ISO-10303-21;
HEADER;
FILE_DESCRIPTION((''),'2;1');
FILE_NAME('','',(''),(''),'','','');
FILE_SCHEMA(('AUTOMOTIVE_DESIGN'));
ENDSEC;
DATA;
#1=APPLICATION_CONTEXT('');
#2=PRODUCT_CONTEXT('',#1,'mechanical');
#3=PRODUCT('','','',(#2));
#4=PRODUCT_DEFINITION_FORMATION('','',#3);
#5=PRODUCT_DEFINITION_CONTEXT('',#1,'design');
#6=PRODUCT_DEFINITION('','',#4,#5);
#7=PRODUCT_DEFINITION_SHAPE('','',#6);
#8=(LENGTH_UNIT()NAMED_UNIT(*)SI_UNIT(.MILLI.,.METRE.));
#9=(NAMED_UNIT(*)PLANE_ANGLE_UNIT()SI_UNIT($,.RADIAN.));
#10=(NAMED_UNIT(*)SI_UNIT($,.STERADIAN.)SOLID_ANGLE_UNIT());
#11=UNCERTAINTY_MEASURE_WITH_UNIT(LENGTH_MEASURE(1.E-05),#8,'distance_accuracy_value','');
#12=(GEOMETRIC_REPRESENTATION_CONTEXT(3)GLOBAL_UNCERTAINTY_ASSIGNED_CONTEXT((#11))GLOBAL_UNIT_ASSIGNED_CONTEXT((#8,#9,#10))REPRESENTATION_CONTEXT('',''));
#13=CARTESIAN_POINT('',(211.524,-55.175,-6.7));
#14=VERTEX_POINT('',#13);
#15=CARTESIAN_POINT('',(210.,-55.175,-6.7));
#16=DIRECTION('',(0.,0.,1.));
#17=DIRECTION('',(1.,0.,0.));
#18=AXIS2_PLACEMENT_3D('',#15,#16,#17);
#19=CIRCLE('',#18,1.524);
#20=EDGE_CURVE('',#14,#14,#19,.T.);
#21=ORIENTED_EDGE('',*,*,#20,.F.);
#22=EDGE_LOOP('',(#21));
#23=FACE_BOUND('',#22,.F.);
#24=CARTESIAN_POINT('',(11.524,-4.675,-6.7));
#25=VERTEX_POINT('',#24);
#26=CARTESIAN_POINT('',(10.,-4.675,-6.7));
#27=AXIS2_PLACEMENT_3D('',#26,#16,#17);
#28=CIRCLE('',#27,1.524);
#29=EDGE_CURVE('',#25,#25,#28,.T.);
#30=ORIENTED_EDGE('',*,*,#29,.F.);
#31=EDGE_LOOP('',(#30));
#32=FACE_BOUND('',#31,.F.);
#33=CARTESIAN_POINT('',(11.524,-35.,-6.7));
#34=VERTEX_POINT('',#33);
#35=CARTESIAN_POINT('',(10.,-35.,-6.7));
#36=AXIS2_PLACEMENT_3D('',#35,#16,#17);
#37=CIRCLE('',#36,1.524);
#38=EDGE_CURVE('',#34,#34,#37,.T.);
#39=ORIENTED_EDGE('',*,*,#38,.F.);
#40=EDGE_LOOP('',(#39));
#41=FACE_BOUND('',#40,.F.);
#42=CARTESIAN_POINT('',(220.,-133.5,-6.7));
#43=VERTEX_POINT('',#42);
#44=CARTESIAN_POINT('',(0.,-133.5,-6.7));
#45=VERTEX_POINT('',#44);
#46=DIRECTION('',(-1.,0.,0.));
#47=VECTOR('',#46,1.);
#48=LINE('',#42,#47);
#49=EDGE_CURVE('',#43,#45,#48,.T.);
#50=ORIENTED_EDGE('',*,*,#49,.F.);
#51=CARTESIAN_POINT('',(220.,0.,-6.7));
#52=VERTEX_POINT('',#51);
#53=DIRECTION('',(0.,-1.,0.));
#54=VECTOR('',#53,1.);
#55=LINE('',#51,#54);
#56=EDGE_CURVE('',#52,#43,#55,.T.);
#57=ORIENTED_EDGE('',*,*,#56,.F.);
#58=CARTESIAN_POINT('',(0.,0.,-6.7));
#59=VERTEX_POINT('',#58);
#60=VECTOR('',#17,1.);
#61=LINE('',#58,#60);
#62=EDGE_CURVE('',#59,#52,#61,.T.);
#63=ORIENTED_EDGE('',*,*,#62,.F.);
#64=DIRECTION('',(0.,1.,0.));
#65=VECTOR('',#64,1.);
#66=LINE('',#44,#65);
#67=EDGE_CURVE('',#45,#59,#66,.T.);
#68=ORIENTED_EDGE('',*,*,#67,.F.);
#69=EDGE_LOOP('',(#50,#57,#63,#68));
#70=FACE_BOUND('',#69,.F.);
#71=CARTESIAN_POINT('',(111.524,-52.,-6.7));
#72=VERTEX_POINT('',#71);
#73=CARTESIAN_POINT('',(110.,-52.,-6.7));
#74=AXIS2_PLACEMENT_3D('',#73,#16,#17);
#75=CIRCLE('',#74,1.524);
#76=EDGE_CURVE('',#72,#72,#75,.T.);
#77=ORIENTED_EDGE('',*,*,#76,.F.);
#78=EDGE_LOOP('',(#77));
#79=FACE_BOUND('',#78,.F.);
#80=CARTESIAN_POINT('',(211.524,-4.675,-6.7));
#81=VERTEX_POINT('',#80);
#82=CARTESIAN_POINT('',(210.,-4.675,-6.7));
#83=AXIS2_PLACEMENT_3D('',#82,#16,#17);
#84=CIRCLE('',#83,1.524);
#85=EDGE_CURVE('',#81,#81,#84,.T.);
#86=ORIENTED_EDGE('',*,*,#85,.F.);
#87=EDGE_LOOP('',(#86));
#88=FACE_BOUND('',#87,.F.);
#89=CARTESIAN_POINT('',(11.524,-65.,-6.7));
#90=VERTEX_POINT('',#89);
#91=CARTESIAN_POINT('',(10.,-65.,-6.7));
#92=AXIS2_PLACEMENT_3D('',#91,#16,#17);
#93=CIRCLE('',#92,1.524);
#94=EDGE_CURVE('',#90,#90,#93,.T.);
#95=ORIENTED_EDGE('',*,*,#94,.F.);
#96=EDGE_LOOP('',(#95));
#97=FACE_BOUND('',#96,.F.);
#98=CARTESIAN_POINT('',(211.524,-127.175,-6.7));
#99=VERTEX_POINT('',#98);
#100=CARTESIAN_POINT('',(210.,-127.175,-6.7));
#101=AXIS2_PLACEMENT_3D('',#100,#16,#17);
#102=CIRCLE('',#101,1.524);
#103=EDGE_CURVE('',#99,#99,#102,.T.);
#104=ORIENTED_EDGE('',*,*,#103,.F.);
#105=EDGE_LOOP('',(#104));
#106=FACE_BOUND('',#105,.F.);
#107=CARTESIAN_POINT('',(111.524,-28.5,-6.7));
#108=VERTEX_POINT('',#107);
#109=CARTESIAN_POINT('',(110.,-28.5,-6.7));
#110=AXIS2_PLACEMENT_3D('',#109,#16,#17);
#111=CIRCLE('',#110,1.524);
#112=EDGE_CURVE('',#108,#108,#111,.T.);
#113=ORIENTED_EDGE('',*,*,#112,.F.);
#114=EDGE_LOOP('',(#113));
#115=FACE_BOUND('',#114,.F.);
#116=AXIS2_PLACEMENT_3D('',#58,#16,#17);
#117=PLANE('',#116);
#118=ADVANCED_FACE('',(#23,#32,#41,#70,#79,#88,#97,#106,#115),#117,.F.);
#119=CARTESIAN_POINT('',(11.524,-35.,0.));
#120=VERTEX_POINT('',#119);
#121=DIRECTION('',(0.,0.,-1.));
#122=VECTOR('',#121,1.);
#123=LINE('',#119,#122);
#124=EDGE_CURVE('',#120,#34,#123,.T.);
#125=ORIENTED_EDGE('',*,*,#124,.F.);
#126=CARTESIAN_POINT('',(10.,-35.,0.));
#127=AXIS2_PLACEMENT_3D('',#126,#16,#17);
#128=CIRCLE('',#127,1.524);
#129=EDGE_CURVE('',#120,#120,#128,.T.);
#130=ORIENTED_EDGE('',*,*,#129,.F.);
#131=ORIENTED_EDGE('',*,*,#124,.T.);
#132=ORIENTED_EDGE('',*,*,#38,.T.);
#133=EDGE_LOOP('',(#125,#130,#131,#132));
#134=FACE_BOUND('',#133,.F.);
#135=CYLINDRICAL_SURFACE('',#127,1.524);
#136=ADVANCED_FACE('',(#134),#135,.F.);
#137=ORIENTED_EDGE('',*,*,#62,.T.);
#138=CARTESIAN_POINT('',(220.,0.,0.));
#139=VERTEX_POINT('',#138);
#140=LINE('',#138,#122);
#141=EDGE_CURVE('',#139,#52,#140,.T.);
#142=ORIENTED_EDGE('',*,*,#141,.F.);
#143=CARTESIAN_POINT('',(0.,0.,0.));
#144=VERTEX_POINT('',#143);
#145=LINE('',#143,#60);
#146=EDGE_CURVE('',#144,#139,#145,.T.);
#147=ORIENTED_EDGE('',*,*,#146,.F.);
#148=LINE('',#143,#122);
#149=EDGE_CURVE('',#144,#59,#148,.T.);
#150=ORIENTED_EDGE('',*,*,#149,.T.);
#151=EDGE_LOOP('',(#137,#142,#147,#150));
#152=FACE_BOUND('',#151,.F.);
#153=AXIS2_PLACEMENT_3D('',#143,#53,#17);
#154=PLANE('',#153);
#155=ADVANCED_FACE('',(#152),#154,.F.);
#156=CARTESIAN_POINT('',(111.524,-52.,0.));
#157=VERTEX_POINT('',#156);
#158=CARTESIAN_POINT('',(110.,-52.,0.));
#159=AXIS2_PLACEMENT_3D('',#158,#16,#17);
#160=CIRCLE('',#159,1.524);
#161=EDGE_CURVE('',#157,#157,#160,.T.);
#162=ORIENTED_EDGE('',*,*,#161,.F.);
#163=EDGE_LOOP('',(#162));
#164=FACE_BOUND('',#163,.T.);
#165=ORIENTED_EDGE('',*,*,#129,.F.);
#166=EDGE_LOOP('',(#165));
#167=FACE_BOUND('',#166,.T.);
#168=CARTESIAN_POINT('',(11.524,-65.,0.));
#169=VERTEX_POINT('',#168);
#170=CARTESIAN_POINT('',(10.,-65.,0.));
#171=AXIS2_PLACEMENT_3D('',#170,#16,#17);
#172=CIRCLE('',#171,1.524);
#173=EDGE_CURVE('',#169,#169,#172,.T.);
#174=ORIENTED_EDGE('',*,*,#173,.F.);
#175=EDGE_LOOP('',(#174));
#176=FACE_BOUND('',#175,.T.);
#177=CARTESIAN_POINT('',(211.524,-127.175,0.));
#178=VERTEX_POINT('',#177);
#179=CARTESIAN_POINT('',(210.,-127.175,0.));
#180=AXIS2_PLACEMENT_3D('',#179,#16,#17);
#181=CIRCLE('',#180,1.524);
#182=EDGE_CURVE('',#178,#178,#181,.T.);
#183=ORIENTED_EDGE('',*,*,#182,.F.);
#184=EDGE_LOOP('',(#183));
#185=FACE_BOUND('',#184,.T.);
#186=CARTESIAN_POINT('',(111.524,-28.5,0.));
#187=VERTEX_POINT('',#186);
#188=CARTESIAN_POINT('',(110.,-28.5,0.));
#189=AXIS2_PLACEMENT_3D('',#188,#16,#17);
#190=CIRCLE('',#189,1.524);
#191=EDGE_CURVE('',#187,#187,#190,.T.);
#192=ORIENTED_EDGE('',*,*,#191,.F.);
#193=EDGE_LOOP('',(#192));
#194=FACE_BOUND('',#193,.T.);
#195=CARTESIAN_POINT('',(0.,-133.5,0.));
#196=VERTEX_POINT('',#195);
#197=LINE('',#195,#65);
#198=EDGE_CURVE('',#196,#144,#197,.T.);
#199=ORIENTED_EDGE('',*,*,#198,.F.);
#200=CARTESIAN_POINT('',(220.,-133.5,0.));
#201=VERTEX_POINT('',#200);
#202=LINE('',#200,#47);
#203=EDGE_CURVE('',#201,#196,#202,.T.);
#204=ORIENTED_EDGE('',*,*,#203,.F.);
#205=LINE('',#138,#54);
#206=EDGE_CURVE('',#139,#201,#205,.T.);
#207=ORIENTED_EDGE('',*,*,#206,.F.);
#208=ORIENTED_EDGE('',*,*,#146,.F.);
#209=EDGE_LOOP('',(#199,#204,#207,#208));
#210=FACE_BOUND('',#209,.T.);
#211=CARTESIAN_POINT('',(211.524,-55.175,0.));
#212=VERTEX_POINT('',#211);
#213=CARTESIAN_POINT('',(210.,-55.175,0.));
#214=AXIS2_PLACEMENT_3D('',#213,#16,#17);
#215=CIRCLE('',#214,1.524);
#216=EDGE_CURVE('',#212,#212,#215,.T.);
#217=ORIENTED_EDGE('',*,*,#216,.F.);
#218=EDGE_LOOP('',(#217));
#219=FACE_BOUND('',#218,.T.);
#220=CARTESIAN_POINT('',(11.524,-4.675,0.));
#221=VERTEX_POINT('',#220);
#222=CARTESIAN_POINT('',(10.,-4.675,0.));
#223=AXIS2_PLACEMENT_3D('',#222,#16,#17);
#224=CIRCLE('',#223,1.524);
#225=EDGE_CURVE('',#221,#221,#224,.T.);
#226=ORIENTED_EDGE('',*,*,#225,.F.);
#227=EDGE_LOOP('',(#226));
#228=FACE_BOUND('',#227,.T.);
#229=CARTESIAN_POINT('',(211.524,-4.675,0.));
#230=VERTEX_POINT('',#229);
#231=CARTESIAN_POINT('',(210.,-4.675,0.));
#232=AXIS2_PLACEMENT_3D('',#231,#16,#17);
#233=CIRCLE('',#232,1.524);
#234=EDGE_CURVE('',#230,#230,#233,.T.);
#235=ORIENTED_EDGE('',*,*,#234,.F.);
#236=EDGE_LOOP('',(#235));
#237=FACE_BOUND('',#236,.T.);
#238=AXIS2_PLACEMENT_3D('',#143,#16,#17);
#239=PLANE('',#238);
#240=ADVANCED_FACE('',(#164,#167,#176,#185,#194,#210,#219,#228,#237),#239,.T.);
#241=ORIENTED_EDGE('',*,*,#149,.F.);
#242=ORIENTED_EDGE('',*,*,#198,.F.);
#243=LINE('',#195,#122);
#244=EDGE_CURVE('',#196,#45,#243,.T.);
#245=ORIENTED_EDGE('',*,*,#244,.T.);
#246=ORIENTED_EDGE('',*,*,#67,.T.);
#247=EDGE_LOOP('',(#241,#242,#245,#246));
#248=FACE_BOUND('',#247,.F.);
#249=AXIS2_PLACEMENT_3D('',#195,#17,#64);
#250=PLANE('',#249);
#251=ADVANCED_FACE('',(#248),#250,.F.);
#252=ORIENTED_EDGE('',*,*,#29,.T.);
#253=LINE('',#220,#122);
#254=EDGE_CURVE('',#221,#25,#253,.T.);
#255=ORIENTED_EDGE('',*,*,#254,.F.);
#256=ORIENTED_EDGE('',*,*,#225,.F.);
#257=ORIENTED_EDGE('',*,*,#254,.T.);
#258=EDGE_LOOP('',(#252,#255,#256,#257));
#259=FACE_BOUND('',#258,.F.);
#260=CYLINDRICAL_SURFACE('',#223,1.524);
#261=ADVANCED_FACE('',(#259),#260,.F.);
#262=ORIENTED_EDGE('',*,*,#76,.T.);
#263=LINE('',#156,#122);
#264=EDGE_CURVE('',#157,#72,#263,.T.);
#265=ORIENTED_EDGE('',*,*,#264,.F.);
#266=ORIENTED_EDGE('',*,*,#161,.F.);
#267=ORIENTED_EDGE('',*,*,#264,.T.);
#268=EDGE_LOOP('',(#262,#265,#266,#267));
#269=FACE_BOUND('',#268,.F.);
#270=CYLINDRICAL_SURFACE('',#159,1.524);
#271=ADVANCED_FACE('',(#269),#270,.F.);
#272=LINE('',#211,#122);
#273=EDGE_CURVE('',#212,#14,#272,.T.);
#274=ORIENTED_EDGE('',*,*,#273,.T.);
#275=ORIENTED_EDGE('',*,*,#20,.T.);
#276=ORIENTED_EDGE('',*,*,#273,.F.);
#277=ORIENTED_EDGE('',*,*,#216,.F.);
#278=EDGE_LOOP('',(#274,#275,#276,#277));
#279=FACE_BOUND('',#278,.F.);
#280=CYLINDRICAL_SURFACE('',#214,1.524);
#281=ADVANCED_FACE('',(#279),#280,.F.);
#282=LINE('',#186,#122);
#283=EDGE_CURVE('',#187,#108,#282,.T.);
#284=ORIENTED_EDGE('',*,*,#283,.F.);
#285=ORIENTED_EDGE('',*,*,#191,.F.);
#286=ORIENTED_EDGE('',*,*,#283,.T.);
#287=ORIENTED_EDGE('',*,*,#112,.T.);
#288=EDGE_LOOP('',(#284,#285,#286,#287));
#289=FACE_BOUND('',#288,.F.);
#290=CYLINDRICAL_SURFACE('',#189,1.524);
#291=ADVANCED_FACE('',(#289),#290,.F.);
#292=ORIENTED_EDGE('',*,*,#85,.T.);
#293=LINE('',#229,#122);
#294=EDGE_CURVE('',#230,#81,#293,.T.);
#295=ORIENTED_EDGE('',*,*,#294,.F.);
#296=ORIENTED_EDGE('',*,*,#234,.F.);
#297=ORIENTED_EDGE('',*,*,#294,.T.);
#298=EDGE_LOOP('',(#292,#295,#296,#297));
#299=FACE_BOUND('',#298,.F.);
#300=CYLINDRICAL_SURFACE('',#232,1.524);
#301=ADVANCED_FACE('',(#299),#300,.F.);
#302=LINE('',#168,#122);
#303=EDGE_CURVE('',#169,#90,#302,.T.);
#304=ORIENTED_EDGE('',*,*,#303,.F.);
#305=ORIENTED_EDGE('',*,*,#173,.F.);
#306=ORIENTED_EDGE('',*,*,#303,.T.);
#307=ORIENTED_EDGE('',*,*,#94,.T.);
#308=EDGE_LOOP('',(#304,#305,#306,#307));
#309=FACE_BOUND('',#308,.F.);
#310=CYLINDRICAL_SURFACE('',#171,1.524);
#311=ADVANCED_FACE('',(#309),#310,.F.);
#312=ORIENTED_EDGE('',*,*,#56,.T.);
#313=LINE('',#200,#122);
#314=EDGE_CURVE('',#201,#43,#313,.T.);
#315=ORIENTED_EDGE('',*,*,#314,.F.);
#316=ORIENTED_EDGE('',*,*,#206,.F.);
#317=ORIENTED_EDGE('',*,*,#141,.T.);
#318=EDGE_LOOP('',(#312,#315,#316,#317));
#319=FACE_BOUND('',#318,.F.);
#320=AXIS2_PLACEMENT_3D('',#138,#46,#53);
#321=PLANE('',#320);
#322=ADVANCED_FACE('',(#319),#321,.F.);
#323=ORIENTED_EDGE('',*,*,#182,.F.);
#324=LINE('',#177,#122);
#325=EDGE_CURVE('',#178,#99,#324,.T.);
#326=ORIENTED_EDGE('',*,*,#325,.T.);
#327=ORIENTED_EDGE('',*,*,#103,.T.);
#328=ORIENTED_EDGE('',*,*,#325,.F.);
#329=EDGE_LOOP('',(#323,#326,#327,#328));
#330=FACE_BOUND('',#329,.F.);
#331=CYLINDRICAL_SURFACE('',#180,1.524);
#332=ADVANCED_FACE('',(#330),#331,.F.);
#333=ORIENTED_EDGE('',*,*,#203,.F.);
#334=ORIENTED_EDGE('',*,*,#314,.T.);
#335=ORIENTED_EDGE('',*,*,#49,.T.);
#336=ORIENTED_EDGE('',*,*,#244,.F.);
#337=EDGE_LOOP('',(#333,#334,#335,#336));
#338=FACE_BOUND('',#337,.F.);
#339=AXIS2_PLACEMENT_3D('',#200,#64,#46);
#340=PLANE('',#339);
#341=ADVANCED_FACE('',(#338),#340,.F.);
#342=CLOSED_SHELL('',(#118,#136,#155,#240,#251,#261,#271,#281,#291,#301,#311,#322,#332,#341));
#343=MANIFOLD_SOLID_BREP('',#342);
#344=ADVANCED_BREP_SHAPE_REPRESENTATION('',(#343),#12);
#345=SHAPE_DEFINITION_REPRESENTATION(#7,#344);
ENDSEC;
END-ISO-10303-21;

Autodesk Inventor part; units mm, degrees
ref_plane "YZ Plane" through (0, 0, 0) normal (1, 0, 0) x (0, 1, 0)
ref_plane "XZ Plane" through (0, 0, 0) normal (0, 1, 0) x (-1, 0, 0)
ref_plane "XY Plane" through (0, 0, 0) normal (0, 0, 1) x (1, 0, 0)
sketch "Esquisse1" plane through (0, 0, 0) normal (0, 0, 1) x (1, 0, 0)
  line L0 (0, 0) -> (220, 0)
  line L1 (220, 0) -> (220, -133.5)
  line L2 (220, -133.5) -> (0, -133.5)
  line L3 (0, -133.5) -> (0, 0)
  dimension "d0" = 220
  dimension "d1" = 133.5
extrude "Extrusion1" add sketch "Esquisse1" against normal blind 6.7
sketch "Esquisse2" plane through (0, 0, 0) normal (0, 0, 1) x (1, 0, 0)
  circle A0 centre (10, -4.675) radius 1.524
  circle A1 centre (10, -35) radius 1.524
  circle A2 centre (10, -65) radius 1.524
  circle A3 centre (110, -28.5) radius 1.524
  circle A4 centre (110, -52) radius 1.524
  circle A5 centre (210, -4.675) radius 1.524
  circle A6 centre (210, -55.175) radius 1.524
  circle A7 centre (210, -127.175) radius 1.524
  line L0 (0, 0) -> (0, -133.5) projected
  line L1 (220, 0) -> (0, 0) projected
  line L2 (220, -133.5) -> (220, 0) projected
  dimension "d4" = 3.048
  dimension "d5" = 10
  dimension "d6" = 4.675
  dimension "d7" = 4.675
  dimension "d8" = 10
  dimension "d9" = 10
  dimension "d10" = 10
  dimension "d13" = 10
  dimension "d14" = 10
  dimension "d15" = 30
  dimension "d16" = 30.325
  dimension "d17" = 50.5
  dimension "d18" = 72
  dimension "d19" = 28.5
  dimension "d20" = 23.5
  dimension "d23" = 110
  dimension "d24" = 110
extrude "Extrusion2" cut sketch "Esquisse2" against normal through all
properties part number "Validation_jig_top"
